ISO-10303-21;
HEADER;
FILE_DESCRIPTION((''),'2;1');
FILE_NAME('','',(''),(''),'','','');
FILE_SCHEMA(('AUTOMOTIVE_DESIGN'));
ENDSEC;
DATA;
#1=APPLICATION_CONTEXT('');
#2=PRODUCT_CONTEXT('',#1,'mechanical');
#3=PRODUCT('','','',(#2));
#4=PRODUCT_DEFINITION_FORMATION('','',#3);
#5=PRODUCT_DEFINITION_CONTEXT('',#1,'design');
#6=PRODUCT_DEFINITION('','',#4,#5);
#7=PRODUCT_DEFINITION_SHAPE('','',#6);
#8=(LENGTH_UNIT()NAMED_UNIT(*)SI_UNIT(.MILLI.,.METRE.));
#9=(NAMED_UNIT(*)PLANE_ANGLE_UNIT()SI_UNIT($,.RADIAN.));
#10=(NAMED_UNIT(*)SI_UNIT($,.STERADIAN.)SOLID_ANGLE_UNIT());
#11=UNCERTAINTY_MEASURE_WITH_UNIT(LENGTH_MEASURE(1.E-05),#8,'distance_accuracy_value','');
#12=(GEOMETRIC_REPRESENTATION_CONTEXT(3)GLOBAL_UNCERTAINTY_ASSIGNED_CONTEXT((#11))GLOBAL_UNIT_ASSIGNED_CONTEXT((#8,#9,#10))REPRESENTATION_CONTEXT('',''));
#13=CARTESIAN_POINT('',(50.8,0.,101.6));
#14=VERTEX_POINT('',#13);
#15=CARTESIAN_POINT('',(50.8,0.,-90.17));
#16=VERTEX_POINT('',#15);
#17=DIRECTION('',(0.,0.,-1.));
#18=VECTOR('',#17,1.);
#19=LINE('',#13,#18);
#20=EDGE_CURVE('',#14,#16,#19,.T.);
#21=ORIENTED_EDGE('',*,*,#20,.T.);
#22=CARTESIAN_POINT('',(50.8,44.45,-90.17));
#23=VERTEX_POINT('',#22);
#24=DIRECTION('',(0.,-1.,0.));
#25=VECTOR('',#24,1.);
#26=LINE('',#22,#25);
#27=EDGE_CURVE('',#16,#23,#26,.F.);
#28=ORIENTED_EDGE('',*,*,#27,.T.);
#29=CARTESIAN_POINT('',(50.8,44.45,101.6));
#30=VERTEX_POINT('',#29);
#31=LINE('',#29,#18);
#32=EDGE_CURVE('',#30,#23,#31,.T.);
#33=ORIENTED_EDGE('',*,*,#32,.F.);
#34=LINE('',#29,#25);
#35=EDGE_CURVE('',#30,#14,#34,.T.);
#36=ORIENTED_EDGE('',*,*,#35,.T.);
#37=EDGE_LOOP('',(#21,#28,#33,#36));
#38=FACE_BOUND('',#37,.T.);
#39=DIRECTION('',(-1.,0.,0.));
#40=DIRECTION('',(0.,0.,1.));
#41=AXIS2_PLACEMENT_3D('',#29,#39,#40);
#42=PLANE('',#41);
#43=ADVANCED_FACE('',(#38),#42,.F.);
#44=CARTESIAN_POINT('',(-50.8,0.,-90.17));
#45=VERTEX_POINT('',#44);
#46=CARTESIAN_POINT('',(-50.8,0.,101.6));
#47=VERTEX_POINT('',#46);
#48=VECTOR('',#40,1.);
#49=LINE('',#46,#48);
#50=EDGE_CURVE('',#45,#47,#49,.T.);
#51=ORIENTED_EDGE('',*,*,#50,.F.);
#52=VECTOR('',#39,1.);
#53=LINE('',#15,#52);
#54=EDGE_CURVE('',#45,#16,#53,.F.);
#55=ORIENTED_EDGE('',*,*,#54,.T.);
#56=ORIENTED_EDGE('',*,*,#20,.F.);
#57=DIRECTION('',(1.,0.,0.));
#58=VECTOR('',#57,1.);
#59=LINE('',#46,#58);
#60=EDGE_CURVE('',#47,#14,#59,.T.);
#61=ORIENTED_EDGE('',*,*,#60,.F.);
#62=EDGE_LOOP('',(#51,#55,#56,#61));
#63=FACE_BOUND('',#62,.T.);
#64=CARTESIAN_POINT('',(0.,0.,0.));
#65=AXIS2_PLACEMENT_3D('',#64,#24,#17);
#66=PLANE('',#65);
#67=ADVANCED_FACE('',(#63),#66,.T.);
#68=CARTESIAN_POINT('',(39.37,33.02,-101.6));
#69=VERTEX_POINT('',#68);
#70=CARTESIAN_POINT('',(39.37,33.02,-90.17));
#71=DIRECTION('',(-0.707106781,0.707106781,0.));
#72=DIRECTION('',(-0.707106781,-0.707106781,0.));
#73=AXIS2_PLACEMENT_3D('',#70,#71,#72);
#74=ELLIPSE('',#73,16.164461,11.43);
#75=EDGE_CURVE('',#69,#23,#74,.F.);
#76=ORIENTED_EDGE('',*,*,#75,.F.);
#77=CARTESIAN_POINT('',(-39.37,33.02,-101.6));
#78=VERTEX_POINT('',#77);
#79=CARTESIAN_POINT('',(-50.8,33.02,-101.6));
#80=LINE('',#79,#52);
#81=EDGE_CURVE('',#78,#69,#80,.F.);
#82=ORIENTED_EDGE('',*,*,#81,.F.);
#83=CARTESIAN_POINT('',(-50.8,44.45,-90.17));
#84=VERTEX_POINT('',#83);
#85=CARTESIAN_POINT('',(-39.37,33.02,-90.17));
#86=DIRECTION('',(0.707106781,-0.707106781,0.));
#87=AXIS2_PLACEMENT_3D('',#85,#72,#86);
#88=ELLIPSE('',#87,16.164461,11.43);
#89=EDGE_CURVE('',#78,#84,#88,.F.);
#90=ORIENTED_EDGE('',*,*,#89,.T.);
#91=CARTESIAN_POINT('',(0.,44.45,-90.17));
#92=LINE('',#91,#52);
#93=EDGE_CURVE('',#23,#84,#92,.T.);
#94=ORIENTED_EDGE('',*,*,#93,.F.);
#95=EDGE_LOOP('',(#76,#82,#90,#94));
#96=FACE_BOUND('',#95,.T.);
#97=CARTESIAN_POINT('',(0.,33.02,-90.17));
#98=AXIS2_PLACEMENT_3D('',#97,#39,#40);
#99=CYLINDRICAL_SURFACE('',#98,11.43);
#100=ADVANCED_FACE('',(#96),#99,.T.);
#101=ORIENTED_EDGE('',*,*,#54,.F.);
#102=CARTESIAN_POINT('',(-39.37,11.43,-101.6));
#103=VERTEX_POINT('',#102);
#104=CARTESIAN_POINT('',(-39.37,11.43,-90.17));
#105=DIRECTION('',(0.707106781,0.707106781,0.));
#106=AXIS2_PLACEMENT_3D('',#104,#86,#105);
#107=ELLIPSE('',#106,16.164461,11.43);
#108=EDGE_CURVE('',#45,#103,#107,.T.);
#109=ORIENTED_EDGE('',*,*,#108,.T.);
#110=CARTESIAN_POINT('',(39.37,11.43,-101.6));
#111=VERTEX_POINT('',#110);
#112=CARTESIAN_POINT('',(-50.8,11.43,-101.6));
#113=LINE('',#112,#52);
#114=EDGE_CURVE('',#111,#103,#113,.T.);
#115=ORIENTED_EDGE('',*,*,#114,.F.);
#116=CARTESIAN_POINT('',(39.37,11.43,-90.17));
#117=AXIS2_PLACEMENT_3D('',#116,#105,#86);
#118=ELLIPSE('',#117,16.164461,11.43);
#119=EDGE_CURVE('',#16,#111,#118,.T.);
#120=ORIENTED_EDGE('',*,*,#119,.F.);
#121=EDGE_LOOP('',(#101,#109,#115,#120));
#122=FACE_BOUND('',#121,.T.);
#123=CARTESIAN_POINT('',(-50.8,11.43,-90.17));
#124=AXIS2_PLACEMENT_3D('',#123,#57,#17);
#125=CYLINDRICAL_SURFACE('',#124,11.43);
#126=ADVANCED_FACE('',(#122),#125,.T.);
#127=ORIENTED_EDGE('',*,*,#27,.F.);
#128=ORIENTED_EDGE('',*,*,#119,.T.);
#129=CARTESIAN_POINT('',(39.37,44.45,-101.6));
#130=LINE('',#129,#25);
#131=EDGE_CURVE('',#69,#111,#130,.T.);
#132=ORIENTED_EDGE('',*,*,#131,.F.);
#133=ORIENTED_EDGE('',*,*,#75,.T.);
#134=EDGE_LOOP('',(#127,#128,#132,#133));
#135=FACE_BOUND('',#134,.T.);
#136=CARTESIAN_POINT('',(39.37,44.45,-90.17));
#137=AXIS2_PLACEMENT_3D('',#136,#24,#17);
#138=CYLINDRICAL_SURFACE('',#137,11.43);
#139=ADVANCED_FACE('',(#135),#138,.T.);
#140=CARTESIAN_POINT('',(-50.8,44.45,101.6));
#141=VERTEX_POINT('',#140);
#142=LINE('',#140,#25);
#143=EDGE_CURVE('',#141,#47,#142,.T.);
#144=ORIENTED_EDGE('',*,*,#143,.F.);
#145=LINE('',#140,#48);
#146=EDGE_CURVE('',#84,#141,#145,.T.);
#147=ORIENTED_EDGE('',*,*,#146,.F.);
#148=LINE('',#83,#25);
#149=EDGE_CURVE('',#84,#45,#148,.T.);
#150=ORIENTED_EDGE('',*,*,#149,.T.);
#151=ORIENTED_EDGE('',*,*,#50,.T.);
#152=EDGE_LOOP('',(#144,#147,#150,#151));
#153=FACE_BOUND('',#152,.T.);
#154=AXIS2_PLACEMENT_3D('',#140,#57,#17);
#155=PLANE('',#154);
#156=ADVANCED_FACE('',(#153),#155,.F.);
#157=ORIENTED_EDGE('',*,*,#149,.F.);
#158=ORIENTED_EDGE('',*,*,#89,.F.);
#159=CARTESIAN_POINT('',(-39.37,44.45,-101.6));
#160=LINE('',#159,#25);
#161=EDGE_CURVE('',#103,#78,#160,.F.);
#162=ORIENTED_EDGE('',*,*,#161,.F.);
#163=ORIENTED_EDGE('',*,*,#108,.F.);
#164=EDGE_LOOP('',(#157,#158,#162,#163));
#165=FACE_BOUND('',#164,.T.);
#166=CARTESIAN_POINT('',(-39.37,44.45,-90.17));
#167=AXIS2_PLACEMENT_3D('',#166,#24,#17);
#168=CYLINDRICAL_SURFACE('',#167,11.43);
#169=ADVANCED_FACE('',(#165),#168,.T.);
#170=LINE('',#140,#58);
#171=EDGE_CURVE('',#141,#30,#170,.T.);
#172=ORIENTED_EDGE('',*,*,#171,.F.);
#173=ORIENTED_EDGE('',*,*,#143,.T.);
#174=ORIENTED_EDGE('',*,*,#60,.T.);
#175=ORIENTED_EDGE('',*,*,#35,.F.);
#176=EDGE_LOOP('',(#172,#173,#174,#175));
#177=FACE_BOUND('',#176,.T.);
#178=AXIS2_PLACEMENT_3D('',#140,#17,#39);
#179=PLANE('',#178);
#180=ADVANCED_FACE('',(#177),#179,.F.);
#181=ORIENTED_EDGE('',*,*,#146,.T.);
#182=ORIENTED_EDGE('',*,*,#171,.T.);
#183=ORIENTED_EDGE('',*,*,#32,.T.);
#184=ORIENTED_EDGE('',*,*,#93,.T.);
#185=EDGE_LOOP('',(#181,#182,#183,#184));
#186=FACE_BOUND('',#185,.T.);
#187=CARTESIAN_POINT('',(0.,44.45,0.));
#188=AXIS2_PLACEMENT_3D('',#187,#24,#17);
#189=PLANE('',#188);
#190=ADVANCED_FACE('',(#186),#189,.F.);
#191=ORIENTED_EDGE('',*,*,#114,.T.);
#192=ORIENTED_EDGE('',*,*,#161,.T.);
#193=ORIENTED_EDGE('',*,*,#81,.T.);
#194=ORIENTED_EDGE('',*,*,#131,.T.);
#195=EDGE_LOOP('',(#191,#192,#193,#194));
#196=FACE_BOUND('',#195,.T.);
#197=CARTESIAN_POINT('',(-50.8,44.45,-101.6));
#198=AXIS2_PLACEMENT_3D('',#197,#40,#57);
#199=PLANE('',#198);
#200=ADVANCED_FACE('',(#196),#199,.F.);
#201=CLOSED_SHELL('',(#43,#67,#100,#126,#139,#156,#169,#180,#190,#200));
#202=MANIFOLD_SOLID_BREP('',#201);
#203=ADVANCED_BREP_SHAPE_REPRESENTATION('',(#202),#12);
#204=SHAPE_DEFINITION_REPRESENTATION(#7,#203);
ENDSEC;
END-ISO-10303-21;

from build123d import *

# Parameters (mm, degrees)
SKETCH1_W           = 101.6
SKETCH1_H           = 203.2
BOSS_EXTRUDE1_DEPTH = 44.45
FILLET1_R           = 11.43


with BuildPart() as part:
    # Sketch1 → Boss-Extrude1 (new body)
    with BuildSketch(Plane(origin=(0, 0, 0), x_dir=(1, 0, 0), z_dir=(0, 1, 0))):
        Rectangle(SKETCH1_W, SKETCH1_H)
    extrude(amount=BOSS_EXTRUDE1_DEPTH)

    # Fillet1
    fillet1_edges = [part.edges().sort_by_distance(p)[0] for p in [
        (0, 0, -101.6),
        (-50.8, 22.225, -101.6),
        (50.8, 22.225, -101.6),
        (0, 44.45, -101.6),
    ]]
    fillet(fillet1_edges, radius=FILLET1_R)


solid = part.part
